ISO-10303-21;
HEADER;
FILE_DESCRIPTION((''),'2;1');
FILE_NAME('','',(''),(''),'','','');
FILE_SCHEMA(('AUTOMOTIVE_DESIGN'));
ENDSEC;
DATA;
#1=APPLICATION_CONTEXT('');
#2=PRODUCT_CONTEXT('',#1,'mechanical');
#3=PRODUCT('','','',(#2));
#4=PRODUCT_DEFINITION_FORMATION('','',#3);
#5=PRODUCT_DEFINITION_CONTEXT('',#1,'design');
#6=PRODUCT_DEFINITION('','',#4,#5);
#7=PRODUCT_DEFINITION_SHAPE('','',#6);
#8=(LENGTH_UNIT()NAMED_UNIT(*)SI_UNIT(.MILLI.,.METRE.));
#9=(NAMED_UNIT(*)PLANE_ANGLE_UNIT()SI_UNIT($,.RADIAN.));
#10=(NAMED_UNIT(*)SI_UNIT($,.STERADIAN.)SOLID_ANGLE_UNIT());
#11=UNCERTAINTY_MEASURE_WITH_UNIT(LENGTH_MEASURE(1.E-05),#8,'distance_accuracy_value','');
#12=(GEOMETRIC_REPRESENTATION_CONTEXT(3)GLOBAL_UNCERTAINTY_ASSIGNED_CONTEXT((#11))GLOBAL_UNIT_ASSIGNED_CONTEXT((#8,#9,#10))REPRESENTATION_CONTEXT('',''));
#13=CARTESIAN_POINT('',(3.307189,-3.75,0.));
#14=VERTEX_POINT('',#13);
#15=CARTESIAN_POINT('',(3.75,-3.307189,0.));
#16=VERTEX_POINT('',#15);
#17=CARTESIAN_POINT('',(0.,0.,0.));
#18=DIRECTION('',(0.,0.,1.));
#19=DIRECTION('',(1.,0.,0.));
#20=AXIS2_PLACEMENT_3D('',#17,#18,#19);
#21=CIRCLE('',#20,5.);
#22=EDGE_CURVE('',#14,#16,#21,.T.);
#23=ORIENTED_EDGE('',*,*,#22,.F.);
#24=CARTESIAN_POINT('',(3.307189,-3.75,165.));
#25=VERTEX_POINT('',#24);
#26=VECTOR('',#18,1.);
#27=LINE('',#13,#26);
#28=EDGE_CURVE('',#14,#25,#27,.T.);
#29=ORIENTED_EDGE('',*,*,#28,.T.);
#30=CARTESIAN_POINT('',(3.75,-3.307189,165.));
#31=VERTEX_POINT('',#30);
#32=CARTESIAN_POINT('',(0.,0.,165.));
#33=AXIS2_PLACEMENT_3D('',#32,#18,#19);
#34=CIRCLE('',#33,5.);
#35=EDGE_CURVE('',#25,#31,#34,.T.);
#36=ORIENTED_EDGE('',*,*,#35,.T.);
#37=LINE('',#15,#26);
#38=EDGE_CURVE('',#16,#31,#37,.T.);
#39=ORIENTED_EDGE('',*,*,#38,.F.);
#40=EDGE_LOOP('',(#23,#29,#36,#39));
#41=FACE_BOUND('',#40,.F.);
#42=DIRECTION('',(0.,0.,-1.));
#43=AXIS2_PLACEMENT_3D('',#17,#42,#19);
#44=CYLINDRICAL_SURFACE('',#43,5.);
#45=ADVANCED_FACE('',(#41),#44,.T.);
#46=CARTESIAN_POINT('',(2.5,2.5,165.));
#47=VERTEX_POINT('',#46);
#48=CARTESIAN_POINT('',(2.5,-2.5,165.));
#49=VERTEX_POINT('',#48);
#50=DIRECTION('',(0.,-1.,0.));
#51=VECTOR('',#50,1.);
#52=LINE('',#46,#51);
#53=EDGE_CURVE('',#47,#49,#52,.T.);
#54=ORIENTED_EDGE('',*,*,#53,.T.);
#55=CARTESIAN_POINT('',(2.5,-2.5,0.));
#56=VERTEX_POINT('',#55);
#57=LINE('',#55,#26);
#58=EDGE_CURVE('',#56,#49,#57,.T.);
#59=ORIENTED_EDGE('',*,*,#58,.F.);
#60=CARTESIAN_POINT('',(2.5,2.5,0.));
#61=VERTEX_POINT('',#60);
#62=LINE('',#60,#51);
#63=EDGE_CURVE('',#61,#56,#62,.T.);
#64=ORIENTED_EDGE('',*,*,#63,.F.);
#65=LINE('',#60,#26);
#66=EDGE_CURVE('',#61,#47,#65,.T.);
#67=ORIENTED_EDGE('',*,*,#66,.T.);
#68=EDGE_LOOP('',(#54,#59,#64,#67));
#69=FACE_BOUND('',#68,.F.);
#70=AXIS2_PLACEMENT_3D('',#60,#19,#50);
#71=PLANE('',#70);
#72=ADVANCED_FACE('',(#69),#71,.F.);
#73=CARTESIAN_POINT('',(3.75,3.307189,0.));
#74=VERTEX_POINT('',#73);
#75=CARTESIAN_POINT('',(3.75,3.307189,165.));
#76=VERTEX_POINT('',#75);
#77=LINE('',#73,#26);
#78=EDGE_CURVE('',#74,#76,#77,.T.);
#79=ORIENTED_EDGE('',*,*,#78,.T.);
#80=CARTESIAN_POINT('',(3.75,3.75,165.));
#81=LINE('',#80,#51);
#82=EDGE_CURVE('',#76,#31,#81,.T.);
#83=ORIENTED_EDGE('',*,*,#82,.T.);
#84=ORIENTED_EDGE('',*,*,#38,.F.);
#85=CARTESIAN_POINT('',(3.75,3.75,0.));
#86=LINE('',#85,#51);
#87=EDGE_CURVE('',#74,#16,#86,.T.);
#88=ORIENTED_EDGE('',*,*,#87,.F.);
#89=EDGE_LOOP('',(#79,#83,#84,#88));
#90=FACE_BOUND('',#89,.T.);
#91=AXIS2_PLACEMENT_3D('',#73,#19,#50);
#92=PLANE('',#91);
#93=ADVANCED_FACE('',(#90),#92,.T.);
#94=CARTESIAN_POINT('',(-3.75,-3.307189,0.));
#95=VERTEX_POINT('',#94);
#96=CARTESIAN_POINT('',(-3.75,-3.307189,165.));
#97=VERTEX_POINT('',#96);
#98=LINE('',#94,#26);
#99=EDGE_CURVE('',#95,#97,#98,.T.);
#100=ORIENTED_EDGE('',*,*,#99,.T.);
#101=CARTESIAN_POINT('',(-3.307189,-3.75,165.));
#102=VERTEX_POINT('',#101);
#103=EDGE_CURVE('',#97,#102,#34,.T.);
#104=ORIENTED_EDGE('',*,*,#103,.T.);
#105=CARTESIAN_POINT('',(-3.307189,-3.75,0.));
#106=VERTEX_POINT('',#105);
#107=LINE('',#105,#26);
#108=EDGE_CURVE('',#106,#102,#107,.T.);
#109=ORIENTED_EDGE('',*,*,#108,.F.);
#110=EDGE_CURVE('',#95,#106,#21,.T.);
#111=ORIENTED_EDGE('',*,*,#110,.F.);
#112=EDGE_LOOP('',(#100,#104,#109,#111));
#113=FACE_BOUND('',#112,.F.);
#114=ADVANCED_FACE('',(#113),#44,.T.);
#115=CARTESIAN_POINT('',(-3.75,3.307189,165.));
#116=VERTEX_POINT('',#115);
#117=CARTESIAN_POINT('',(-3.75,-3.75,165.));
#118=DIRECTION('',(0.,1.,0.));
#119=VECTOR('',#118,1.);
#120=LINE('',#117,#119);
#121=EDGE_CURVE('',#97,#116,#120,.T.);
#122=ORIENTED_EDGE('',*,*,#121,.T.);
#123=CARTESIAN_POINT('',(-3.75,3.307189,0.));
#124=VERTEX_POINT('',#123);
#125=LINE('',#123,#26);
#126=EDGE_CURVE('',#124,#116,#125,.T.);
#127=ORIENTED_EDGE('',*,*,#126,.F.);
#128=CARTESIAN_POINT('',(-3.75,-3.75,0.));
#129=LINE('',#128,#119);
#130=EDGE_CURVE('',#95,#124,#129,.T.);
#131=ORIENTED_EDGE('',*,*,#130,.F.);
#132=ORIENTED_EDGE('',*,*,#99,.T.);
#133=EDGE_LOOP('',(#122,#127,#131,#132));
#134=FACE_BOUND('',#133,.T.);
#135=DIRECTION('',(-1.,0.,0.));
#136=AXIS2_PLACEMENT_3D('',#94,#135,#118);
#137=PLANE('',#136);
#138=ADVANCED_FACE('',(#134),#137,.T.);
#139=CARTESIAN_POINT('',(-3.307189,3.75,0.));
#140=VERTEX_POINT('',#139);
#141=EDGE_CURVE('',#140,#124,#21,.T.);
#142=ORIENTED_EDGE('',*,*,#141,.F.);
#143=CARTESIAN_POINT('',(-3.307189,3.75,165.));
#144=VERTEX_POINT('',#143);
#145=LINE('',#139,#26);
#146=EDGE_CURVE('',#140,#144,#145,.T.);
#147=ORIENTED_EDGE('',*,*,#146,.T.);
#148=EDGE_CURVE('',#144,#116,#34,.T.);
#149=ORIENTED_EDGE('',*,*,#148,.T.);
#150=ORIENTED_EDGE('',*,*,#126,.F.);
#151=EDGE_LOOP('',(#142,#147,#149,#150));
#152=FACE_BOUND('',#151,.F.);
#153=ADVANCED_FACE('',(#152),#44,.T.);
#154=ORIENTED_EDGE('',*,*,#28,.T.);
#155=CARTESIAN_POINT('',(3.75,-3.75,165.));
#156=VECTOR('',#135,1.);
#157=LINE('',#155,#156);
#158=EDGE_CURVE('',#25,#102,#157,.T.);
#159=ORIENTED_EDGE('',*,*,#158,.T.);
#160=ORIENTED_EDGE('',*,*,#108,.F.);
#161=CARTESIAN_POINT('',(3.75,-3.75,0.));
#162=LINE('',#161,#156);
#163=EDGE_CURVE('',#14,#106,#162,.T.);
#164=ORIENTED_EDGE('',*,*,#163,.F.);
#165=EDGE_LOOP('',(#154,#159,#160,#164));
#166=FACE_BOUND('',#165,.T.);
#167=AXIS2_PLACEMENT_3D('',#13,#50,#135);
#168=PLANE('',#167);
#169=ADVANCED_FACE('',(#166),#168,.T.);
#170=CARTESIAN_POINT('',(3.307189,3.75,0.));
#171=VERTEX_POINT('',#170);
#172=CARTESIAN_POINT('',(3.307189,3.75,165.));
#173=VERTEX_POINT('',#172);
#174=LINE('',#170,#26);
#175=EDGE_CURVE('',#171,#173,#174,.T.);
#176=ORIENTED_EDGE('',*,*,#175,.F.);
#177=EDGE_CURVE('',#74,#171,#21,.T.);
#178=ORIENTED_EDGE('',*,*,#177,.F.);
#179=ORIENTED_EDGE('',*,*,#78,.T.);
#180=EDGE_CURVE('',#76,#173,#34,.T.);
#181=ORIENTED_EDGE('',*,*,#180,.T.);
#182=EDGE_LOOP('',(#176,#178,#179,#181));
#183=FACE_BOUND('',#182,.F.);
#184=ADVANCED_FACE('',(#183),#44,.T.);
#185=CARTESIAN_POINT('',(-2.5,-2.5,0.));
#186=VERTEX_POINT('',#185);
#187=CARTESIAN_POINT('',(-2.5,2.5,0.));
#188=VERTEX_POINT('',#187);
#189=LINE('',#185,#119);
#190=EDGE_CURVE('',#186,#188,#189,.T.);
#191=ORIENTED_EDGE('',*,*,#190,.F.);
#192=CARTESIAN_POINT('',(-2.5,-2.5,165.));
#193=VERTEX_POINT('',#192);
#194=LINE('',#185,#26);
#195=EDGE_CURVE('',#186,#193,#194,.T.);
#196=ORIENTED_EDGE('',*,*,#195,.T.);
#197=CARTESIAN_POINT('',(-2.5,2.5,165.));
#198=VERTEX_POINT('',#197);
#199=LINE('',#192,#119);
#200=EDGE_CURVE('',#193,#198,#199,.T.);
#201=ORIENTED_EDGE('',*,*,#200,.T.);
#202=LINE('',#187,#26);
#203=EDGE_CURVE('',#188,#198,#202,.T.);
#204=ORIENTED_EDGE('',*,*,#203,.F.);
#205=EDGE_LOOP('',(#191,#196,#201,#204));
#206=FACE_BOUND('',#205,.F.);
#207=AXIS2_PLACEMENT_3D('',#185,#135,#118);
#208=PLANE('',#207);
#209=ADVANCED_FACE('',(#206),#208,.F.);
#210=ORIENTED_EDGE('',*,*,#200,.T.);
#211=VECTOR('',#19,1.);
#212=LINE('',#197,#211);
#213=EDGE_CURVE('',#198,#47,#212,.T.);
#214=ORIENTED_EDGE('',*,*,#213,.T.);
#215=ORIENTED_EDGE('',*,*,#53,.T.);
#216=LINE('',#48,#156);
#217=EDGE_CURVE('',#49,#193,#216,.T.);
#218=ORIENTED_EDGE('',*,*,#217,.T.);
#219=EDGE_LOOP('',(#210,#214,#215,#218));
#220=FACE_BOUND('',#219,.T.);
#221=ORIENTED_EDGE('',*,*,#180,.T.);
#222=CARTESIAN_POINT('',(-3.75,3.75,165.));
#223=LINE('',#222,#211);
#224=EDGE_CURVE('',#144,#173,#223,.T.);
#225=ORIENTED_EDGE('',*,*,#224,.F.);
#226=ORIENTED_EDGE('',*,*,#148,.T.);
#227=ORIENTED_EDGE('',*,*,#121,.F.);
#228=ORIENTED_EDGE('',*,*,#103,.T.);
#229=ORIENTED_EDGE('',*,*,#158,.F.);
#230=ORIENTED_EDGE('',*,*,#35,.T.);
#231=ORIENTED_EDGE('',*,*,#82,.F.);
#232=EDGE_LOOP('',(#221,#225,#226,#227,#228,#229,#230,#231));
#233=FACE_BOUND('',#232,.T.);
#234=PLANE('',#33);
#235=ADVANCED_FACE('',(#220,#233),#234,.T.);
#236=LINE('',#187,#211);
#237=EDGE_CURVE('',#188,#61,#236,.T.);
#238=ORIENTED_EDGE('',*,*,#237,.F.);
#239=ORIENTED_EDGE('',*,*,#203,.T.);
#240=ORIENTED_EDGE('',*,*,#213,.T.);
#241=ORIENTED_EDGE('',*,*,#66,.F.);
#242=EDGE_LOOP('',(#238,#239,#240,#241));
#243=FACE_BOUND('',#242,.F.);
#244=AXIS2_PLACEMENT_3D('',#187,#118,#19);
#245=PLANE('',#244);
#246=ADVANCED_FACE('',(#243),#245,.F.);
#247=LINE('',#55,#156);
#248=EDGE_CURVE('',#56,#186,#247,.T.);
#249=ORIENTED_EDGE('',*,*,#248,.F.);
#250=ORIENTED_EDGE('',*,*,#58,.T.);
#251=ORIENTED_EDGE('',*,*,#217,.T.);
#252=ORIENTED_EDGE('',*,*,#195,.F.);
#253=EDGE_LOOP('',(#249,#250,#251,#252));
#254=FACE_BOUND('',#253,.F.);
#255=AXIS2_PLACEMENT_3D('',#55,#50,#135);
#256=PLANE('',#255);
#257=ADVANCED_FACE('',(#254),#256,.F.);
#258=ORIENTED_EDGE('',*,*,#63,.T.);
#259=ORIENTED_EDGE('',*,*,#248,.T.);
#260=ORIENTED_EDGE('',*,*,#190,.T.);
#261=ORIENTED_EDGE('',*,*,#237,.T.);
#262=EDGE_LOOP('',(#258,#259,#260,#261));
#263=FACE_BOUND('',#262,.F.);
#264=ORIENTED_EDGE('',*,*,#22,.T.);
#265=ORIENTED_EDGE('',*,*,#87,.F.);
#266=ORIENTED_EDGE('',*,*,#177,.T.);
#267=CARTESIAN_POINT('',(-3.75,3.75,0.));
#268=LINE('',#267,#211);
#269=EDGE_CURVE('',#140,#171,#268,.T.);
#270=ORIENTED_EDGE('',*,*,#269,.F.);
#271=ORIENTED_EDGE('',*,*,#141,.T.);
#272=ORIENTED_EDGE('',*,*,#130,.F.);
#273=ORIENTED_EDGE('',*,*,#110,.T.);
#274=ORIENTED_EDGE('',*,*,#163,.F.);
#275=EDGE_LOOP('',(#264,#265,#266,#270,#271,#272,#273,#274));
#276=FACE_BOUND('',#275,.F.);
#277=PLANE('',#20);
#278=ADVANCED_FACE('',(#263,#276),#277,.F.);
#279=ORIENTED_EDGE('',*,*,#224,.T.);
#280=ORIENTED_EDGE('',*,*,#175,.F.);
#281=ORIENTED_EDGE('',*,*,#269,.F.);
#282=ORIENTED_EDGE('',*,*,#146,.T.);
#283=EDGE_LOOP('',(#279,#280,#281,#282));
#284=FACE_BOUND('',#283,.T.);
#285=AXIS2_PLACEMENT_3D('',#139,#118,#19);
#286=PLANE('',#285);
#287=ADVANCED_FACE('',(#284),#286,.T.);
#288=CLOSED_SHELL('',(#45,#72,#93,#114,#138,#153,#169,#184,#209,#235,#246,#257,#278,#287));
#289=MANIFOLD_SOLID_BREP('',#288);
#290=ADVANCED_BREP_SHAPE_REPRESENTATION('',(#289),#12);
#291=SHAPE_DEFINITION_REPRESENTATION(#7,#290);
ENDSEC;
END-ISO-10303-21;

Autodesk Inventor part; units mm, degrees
ref_plane "YZ Plane" through (0, 0, 0) normal (1, 0, 0) x (0, 1, 0)
ref_plane "XZ Plane" through (0, 0, 0) normal (0, 1, 0) x (-1, 0, 0)
ref_plane "XY Plane" through (0, 0, 0) normal (0, 0, 1) x (1, 0, 0)
sketch "Sketch1" plane through (0, 0, 0) normal (0, 0, 1) x (1, 0, 0)
  circle A0 centre (0, 0) radius 5
  line L0 (-2.5, 2.5) -> (2.5, 2.5)
  line L1 (2.5, 2.5) -> (2.5, -2.5)
  line L2 (2.5, -2.5) -> (-2.5, -2.5)
  line L3 (-2.5, -2.5) -> (-2.5, 2.5)
  line L4 (-2.5, 2.5) -> (2.5, -2.5) construction
  line L5 (2.5, 2.5) -> (-2.5, -2.5) construction
  line L6 (-3.75, 3.75) -> (3.75, 3.75)
  line L7 (3.75, 3.75) -> (3.75, -3.75)
  line L8 (3.75, -3.75) -> (-3.75, -3.75)
  line L9 (-3.75, -3.75) -> (-3.75, 3.75)
  line L10 (-3.75, 3.75) -> (3.75, -3.75) construction
  line L11 (3.75, 3.75) -> (-3.75, -3.75) construction
  point P0 (-3.75, 3.3072)
  point P1 (-3.75, -3.3072)
  point P2 (-3.3072, -3.75)
  point P3 (3.3072, -3.75)
  point P4 (3.75, -3.3072)
  point P5 (3.75, 3.3072)
  point P6 (3.3072, 3.75)
  point P7 (-3.3072, 3.75)
  dimension "d0" = 10
  dimension "d1" = 5
  dimension "d2" = 5
  dimension "d3" = 7.5
  dimension "d4" = 7.5
extrude "Extrusion1" add sketch "Sketch1" along normal blind 165 contours L7 A0 L8 L9 L6
properties part number "IgusDryLinQ-AWMQ-10" material "Aluminum 6061"
